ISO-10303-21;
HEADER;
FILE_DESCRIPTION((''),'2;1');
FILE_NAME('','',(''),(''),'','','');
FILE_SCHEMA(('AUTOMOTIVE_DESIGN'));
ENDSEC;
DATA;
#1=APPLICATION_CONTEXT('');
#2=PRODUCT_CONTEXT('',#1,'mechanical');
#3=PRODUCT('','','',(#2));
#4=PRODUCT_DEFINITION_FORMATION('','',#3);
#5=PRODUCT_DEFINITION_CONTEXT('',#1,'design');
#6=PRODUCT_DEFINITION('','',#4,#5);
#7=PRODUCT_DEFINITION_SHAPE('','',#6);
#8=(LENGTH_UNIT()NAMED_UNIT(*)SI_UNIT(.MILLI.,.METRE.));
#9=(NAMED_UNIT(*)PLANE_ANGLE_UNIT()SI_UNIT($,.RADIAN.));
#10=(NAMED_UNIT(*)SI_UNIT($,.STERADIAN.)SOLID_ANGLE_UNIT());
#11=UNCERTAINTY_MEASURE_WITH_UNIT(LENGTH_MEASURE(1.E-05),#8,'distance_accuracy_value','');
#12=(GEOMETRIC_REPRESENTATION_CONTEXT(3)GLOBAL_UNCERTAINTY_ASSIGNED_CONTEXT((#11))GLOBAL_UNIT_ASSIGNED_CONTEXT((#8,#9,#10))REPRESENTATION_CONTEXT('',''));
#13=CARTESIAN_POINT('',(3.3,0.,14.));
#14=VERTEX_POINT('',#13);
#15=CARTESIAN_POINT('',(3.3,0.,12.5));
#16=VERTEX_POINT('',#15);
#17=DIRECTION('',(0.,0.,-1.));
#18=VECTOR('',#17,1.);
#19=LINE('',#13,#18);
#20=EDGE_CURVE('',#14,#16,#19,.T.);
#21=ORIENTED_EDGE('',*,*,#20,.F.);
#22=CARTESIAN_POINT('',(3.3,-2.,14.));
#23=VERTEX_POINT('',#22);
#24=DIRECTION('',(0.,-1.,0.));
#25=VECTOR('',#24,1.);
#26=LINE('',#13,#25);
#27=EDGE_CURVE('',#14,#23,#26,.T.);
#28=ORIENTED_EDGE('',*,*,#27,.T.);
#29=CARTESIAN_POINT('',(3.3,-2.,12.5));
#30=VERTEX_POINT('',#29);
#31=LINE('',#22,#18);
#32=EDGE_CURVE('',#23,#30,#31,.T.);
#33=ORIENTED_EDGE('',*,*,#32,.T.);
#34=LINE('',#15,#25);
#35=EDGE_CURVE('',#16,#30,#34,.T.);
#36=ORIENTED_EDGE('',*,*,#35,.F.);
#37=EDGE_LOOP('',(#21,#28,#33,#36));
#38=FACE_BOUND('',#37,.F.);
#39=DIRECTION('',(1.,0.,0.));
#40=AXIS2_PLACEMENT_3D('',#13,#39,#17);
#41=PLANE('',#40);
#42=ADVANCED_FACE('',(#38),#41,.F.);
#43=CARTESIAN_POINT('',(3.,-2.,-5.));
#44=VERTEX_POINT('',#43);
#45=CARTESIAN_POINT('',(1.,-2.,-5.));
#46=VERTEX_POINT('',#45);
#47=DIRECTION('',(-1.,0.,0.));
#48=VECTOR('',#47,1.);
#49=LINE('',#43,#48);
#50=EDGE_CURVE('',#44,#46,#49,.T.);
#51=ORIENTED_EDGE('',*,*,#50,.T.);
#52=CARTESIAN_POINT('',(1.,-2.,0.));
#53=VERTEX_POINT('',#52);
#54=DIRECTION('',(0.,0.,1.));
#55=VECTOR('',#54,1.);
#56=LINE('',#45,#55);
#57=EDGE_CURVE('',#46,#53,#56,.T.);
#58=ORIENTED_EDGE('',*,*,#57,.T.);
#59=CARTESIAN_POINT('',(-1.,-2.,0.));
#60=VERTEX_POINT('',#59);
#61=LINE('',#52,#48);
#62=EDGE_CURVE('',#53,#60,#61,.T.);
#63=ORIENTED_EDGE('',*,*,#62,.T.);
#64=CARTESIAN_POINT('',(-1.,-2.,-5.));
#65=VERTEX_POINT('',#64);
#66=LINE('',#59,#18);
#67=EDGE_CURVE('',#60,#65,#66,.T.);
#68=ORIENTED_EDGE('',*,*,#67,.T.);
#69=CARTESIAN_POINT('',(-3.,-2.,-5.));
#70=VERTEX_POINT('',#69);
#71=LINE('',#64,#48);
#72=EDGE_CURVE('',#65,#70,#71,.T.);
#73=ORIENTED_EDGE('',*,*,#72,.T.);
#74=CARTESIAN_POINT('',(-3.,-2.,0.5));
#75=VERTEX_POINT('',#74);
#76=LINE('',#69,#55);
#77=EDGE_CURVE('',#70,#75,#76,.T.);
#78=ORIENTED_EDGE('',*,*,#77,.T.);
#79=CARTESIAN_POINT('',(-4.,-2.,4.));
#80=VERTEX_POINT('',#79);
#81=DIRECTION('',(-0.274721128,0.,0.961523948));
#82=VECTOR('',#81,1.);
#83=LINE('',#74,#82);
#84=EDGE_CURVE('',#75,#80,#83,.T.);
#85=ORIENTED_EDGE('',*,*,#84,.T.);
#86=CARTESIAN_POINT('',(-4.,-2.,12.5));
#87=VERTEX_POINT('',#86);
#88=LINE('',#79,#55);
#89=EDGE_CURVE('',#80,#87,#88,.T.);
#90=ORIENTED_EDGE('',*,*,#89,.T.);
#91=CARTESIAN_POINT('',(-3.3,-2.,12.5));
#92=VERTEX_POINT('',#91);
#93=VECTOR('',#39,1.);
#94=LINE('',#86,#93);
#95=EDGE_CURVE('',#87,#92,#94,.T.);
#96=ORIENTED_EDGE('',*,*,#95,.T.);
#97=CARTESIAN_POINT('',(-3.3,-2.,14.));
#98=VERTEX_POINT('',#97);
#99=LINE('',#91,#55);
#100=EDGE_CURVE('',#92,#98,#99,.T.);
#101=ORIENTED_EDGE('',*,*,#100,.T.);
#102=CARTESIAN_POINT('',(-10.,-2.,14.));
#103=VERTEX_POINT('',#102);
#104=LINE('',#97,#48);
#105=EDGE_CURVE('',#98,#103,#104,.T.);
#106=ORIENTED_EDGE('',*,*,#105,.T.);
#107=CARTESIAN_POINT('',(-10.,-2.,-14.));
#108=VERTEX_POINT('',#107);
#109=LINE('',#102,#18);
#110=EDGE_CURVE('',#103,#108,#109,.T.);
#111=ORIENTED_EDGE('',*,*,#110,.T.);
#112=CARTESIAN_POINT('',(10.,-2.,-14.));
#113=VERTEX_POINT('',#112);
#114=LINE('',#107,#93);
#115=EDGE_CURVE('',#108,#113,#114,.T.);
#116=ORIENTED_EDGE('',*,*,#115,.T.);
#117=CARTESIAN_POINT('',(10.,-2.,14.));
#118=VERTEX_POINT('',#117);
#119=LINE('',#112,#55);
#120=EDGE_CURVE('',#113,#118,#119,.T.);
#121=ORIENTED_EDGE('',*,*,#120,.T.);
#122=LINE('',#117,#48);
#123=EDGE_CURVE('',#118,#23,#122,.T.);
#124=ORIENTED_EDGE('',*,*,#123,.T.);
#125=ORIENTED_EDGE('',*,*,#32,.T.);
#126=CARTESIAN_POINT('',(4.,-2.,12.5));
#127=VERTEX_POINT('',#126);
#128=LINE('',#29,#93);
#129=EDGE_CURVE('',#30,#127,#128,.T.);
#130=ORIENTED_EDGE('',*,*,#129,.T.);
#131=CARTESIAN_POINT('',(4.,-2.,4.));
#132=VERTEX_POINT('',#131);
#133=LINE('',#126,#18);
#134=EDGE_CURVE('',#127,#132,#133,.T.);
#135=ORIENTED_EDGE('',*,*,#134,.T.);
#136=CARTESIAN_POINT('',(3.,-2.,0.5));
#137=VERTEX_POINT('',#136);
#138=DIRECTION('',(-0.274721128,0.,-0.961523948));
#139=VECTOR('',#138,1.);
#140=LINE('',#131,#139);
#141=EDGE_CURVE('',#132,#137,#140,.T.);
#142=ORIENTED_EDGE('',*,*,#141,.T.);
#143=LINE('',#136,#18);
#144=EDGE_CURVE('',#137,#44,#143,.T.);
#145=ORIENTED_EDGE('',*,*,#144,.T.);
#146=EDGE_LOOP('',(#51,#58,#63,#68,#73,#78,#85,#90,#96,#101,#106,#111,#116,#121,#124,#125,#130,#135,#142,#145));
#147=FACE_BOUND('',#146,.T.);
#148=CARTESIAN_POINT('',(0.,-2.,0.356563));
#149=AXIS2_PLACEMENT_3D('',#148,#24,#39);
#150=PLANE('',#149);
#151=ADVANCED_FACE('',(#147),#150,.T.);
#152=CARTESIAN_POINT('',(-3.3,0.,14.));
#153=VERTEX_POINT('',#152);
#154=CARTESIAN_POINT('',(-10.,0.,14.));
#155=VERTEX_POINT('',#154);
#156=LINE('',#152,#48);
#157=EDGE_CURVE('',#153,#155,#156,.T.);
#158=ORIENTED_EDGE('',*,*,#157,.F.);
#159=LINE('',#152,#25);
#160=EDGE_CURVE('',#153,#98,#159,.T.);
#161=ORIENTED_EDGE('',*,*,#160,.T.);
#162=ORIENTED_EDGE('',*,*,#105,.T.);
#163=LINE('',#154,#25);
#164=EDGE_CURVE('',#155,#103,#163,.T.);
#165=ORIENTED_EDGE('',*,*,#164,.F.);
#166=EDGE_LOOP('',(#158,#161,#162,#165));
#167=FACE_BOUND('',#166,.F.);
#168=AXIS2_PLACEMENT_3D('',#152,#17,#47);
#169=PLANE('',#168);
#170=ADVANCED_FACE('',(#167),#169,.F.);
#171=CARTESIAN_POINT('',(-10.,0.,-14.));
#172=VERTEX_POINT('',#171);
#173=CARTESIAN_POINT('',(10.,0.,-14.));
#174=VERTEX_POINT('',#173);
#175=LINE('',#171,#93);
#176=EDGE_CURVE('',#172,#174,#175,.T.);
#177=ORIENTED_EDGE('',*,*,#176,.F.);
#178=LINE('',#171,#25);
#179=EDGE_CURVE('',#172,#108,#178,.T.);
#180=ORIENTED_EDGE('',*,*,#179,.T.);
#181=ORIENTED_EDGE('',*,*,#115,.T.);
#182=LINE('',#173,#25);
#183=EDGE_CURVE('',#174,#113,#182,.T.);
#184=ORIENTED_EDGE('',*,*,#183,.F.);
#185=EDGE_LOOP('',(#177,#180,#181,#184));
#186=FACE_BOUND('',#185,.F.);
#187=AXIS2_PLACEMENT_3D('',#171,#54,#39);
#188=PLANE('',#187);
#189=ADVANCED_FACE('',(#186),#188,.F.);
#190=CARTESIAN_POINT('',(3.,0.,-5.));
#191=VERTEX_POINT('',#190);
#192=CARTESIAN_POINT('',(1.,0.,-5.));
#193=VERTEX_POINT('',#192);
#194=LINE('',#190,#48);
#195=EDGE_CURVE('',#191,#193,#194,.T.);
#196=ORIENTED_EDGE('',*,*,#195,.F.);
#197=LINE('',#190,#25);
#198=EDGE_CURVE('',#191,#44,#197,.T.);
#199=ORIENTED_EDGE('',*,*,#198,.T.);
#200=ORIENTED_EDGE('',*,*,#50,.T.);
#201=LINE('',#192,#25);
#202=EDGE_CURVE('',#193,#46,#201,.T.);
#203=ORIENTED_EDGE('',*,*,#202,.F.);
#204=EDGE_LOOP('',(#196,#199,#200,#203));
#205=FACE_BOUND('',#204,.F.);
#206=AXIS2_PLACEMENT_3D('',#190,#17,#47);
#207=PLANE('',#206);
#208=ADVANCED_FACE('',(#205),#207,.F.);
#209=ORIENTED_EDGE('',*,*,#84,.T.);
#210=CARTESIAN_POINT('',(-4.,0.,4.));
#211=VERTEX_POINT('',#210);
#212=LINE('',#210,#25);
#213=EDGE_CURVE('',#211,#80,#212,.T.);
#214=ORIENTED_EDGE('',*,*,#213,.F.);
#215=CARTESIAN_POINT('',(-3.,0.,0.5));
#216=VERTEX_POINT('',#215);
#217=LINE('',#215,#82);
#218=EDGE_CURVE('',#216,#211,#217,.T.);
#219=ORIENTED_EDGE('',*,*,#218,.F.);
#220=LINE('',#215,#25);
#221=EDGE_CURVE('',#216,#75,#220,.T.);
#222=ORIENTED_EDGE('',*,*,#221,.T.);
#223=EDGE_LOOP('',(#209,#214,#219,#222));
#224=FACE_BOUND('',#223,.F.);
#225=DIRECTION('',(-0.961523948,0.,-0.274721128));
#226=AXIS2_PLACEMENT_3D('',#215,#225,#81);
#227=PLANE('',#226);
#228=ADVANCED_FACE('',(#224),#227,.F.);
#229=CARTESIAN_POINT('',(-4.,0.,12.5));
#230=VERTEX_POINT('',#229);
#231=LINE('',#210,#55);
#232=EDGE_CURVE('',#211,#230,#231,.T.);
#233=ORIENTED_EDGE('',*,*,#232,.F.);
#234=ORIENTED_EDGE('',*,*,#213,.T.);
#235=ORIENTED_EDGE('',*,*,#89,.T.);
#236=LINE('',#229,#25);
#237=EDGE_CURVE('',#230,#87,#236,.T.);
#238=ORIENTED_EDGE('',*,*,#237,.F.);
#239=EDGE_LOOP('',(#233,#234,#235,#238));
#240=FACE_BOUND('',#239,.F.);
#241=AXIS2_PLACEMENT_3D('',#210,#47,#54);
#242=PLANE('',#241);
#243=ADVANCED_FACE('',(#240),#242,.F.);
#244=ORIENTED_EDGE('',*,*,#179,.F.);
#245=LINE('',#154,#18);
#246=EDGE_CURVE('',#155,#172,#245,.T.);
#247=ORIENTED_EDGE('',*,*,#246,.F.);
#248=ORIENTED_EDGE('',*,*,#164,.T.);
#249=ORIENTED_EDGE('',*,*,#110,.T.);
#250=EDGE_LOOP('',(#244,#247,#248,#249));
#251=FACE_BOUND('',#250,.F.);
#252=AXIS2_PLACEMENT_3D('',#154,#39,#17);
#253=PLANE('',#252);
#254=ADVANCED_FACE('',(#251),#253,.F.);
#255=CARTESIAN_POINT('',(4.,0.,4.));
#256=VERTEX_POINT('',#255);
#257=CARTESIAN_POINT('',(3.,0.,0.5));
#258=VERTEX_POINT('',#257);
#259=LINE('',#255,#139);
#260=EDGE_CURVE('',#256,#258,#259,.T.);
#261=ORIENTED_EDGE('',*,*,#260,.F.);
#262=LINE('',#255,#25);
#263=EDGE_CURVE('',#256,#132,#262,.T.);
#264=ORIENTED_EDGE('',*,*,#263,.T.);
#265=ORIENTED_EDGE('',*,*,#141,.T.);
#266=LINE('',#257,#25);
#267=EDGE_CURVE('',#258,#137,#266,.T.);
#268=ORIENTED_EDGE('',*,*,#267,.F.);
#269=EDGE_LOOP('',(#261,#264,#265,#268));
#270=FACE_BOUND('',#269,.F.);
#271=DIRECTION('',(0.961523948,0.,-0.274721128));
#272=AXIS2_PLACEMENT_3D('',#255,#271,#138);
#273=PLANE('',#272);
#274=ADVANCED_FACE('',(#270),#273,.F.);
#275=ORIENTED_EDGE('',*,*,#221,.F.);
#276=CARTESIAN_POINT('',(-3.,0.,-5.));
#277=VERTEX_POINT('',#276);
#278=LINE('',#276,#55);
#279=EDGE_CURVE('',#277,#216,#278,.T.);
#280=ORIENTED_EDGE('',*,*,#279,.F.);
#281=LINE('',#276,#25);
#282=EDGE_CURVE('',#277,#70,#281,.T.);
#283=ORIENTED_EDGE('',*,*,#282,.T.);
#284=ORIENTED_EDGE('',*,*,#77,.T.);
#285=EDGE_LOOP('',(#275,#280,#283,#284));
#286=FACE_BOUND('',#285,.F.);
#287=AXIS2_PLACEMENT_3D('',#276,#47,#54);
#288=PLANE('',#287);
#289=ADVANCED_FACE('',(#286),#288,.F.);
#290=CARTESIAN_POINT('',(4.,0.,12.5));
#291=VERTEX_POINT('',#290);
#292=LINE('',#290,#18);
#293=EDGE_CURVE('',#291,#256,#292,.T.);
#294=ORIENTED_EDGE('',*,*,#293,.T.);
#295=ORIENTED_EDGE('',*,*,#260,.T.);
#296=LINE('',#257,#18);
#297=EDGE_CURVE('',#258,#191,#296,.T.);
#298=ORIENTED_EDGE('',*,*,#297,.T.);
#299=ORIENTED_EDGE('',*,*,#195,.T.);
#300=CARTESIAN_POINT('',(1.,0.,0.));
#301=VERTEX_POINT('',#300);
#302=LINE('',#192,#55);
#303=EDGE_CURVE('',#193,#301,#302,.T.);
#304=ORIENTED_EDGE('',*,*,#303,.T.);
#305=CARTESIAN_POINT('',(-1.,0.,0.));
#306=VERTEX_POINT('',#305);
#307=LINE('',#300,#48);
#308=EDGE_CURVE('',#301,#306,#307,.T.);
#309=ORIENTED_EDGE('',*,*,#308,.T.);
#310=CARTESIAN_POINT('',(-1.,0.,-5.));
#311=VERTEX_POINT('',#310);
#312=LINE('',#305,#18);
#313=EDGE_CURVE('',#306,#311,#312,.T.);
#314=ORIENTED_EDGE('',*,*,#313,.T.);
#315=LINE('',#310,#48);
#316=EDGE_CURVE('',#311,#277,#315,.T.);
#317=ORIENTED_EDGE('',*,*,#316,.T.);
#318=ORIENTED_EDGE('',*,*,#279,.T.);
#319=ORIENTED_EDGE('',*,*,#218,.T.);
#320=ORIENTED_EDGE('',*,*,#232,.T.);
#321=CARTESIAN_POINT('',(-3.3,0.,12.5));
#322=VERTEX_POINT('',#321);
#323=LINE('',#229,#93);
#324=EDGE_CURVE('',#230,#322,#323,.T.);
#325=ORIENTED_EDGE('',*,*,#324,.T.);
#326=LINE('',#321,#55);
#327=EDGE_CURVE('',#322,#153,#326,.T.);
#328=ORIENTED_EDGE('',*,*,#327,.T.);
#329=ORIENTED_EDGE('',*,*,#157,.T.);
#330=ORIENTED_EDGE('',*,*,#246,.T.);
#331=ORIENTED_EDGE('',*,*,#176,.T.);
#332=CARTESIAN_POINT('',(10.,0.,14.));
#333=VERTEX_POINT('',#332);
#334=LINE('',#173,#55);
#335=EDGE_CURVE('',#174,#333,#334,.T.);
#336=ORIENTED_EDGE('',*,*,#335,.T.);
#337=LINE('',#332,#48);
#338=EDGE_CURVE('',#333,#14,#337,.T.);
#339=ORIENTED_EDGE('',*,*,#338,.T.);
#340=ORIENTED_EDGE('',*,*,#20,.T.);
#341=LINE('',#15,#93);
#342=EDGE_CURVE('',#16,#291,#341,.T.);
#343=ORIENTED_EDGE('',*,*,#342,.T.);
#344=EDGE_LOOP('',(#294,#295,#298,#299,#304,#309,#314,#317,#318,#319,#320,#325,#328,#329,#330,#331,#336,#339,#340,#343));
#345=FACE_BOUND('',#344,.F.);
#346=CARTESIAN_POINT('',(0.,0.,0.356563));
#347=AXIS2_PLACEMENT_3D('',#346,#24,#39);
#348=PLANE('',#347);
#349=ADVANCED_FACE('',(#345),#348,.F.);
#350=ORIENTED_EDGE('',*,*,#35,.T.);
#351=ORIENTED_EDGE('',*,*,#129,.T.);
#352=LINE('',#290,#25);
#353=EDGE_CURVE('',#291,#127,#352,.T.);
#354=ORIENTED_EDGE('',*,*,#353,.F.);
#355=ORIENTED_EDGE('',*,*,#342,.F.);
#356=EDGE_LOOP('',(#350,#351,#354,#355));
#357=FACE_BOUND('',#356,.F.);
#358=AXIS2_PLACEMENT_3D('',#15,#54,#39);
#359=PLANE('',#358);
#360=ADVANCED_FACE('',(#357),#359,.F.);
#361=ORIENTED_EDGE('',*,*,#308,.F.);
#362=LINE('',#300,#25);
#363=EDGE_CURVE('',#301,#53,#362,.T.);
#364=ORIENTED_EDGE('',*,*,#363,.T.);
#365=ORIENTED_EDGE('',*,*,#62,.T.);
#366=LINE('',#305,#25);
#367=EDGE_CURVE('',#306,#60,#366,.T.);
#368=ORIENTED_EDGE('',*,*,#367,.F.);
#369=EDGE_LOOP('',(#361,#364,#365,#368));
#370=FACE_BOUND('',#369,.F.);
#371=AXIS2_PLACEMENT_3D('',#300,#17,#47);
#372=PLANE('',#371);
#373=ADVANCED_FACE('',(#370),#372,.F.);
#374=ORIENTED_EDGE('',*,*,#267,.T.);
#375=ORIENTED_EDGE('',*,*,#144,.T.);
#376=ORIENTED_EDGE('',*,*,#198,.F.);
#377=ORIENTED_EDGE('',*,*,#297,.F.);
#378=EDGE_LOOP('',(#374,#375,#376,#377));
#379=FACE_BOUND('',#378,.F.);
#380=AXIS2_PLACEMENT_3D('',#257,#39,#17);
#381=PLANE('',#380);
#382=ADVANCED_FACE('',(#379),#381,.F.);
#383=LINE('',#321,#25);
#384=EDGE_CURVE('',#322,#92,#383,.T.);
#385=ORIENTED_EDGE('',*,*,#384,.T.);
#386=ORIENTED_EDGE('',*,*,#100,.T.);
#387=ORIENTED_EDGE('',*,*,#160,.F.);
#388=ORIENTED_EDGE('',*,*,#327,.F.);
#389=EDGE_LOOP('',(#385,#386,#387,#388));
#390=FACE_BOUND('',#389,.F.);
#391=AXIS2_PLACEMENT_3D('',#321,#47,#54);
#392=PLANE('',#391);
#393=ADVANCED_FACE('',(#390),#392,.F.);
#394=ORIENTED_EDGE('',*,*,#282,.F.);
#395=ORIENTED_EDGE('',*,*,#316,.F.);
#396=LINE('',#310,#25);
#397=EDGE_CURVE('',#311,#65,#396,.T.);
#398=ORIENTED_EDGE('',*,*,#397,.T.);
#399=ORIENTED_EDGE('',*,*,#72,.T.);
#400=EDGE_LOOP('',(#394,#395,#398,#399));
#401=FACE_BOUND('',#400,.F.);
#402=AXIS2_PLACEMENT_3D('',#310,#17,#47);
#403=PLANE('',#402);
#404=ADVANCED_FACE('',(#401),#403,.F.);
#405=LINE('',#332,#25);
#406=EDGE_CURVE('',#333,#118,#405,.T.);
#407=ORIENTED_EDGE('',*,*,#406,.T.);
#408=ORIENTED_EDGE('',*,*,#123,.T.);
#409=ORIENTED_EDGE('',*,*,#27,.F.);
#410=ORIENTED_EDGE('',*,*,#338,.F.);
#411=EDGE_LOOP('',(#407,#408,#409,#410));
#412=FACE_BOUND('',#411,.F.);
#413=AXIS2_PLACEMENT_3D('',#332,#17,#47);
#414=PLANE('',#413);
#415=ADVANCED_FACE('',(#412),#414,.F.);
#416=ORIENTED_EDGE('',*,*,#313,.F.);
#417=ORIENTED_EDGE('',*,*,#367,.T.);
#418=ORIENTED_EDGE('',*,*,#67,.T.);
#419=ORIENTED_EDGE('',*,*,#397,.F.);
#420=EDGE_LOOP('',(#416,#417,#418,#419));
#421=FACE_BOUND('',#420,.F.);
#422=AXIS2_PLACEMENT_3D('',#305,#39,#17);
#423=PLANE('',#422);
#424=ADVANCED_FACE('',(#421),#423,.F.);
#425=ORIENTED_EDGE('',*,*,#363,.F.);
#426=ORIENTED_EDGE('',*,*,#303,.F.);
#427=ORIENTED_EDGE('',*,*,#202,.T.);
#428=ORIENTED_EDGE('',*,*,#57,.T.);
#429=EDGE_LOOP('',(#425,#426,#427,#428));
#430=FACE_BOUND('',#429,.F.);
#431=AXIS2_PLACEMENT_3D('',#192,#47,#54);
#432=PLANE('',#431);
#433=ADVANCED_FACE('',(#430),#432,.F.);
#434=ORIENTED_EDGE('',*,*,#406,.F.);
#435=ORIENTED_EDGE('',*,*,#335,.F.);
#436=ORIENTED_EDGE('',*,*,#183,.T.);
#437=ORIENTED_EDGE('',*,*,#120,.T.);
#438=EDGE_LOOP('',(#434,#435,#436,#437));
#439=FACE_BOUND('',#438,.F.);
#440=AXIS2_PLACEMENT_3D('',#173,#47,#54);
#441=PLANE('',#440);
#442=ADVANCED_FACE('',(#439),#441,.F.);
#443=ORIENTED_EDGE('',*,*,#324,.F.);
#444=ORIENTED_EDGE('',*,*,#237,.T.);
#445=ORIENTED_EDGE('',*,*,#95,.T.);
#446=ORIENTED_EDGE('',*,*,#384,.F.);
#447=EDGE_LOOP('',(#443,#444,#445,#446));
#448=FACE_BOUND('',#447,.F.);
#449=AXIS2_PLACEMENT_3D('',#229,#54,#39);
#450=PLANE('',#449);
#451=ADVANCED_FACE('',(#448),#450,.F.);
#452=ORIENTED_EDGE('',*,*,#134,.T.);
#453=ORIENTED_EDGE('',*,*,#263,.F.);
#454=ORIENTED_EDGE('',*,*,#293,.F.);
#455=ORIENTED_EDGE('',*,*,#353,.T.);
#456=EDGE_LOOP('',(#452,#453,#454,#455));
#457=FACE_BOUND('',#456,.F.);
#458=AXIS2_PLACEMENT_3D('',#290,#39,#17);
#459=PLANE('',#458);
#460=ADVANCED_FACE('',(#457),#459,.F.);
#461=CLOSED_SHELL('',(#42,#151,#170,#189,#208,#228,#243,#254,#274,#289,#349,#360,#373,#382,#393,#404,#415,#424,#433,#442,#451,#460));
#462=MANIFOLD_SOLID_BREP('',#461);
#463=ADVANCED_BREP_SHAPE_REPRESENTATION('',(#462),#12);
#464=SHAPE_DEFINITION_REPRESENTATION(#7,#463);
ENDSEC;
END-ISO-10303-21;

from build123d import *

# Parameters (mm, degrees)
F1_DEPTH = 2


with BuildPart() as f1:
    # F0 (on Front) → F1 (new body)
    with BuildSketch(Plane.XZ):
        Polygon((-10, -14), (10, -14), (10, 14), (3.3, 14), (3.3, 12.5), (4, 12.5), (4, 4), (3, 0.5), (3, -5), (1, -5), (1, 0), (0, 0), (-1, 0), (-1, -5), (-3, -5), (-3, 0.5), (-4, 4), (-4, 12.5), (-3.3, 12.5), (-3.3, 14), (-10, 14), align=None)
    extrude(amount=F1_DEPTH)


solid = f1.part
